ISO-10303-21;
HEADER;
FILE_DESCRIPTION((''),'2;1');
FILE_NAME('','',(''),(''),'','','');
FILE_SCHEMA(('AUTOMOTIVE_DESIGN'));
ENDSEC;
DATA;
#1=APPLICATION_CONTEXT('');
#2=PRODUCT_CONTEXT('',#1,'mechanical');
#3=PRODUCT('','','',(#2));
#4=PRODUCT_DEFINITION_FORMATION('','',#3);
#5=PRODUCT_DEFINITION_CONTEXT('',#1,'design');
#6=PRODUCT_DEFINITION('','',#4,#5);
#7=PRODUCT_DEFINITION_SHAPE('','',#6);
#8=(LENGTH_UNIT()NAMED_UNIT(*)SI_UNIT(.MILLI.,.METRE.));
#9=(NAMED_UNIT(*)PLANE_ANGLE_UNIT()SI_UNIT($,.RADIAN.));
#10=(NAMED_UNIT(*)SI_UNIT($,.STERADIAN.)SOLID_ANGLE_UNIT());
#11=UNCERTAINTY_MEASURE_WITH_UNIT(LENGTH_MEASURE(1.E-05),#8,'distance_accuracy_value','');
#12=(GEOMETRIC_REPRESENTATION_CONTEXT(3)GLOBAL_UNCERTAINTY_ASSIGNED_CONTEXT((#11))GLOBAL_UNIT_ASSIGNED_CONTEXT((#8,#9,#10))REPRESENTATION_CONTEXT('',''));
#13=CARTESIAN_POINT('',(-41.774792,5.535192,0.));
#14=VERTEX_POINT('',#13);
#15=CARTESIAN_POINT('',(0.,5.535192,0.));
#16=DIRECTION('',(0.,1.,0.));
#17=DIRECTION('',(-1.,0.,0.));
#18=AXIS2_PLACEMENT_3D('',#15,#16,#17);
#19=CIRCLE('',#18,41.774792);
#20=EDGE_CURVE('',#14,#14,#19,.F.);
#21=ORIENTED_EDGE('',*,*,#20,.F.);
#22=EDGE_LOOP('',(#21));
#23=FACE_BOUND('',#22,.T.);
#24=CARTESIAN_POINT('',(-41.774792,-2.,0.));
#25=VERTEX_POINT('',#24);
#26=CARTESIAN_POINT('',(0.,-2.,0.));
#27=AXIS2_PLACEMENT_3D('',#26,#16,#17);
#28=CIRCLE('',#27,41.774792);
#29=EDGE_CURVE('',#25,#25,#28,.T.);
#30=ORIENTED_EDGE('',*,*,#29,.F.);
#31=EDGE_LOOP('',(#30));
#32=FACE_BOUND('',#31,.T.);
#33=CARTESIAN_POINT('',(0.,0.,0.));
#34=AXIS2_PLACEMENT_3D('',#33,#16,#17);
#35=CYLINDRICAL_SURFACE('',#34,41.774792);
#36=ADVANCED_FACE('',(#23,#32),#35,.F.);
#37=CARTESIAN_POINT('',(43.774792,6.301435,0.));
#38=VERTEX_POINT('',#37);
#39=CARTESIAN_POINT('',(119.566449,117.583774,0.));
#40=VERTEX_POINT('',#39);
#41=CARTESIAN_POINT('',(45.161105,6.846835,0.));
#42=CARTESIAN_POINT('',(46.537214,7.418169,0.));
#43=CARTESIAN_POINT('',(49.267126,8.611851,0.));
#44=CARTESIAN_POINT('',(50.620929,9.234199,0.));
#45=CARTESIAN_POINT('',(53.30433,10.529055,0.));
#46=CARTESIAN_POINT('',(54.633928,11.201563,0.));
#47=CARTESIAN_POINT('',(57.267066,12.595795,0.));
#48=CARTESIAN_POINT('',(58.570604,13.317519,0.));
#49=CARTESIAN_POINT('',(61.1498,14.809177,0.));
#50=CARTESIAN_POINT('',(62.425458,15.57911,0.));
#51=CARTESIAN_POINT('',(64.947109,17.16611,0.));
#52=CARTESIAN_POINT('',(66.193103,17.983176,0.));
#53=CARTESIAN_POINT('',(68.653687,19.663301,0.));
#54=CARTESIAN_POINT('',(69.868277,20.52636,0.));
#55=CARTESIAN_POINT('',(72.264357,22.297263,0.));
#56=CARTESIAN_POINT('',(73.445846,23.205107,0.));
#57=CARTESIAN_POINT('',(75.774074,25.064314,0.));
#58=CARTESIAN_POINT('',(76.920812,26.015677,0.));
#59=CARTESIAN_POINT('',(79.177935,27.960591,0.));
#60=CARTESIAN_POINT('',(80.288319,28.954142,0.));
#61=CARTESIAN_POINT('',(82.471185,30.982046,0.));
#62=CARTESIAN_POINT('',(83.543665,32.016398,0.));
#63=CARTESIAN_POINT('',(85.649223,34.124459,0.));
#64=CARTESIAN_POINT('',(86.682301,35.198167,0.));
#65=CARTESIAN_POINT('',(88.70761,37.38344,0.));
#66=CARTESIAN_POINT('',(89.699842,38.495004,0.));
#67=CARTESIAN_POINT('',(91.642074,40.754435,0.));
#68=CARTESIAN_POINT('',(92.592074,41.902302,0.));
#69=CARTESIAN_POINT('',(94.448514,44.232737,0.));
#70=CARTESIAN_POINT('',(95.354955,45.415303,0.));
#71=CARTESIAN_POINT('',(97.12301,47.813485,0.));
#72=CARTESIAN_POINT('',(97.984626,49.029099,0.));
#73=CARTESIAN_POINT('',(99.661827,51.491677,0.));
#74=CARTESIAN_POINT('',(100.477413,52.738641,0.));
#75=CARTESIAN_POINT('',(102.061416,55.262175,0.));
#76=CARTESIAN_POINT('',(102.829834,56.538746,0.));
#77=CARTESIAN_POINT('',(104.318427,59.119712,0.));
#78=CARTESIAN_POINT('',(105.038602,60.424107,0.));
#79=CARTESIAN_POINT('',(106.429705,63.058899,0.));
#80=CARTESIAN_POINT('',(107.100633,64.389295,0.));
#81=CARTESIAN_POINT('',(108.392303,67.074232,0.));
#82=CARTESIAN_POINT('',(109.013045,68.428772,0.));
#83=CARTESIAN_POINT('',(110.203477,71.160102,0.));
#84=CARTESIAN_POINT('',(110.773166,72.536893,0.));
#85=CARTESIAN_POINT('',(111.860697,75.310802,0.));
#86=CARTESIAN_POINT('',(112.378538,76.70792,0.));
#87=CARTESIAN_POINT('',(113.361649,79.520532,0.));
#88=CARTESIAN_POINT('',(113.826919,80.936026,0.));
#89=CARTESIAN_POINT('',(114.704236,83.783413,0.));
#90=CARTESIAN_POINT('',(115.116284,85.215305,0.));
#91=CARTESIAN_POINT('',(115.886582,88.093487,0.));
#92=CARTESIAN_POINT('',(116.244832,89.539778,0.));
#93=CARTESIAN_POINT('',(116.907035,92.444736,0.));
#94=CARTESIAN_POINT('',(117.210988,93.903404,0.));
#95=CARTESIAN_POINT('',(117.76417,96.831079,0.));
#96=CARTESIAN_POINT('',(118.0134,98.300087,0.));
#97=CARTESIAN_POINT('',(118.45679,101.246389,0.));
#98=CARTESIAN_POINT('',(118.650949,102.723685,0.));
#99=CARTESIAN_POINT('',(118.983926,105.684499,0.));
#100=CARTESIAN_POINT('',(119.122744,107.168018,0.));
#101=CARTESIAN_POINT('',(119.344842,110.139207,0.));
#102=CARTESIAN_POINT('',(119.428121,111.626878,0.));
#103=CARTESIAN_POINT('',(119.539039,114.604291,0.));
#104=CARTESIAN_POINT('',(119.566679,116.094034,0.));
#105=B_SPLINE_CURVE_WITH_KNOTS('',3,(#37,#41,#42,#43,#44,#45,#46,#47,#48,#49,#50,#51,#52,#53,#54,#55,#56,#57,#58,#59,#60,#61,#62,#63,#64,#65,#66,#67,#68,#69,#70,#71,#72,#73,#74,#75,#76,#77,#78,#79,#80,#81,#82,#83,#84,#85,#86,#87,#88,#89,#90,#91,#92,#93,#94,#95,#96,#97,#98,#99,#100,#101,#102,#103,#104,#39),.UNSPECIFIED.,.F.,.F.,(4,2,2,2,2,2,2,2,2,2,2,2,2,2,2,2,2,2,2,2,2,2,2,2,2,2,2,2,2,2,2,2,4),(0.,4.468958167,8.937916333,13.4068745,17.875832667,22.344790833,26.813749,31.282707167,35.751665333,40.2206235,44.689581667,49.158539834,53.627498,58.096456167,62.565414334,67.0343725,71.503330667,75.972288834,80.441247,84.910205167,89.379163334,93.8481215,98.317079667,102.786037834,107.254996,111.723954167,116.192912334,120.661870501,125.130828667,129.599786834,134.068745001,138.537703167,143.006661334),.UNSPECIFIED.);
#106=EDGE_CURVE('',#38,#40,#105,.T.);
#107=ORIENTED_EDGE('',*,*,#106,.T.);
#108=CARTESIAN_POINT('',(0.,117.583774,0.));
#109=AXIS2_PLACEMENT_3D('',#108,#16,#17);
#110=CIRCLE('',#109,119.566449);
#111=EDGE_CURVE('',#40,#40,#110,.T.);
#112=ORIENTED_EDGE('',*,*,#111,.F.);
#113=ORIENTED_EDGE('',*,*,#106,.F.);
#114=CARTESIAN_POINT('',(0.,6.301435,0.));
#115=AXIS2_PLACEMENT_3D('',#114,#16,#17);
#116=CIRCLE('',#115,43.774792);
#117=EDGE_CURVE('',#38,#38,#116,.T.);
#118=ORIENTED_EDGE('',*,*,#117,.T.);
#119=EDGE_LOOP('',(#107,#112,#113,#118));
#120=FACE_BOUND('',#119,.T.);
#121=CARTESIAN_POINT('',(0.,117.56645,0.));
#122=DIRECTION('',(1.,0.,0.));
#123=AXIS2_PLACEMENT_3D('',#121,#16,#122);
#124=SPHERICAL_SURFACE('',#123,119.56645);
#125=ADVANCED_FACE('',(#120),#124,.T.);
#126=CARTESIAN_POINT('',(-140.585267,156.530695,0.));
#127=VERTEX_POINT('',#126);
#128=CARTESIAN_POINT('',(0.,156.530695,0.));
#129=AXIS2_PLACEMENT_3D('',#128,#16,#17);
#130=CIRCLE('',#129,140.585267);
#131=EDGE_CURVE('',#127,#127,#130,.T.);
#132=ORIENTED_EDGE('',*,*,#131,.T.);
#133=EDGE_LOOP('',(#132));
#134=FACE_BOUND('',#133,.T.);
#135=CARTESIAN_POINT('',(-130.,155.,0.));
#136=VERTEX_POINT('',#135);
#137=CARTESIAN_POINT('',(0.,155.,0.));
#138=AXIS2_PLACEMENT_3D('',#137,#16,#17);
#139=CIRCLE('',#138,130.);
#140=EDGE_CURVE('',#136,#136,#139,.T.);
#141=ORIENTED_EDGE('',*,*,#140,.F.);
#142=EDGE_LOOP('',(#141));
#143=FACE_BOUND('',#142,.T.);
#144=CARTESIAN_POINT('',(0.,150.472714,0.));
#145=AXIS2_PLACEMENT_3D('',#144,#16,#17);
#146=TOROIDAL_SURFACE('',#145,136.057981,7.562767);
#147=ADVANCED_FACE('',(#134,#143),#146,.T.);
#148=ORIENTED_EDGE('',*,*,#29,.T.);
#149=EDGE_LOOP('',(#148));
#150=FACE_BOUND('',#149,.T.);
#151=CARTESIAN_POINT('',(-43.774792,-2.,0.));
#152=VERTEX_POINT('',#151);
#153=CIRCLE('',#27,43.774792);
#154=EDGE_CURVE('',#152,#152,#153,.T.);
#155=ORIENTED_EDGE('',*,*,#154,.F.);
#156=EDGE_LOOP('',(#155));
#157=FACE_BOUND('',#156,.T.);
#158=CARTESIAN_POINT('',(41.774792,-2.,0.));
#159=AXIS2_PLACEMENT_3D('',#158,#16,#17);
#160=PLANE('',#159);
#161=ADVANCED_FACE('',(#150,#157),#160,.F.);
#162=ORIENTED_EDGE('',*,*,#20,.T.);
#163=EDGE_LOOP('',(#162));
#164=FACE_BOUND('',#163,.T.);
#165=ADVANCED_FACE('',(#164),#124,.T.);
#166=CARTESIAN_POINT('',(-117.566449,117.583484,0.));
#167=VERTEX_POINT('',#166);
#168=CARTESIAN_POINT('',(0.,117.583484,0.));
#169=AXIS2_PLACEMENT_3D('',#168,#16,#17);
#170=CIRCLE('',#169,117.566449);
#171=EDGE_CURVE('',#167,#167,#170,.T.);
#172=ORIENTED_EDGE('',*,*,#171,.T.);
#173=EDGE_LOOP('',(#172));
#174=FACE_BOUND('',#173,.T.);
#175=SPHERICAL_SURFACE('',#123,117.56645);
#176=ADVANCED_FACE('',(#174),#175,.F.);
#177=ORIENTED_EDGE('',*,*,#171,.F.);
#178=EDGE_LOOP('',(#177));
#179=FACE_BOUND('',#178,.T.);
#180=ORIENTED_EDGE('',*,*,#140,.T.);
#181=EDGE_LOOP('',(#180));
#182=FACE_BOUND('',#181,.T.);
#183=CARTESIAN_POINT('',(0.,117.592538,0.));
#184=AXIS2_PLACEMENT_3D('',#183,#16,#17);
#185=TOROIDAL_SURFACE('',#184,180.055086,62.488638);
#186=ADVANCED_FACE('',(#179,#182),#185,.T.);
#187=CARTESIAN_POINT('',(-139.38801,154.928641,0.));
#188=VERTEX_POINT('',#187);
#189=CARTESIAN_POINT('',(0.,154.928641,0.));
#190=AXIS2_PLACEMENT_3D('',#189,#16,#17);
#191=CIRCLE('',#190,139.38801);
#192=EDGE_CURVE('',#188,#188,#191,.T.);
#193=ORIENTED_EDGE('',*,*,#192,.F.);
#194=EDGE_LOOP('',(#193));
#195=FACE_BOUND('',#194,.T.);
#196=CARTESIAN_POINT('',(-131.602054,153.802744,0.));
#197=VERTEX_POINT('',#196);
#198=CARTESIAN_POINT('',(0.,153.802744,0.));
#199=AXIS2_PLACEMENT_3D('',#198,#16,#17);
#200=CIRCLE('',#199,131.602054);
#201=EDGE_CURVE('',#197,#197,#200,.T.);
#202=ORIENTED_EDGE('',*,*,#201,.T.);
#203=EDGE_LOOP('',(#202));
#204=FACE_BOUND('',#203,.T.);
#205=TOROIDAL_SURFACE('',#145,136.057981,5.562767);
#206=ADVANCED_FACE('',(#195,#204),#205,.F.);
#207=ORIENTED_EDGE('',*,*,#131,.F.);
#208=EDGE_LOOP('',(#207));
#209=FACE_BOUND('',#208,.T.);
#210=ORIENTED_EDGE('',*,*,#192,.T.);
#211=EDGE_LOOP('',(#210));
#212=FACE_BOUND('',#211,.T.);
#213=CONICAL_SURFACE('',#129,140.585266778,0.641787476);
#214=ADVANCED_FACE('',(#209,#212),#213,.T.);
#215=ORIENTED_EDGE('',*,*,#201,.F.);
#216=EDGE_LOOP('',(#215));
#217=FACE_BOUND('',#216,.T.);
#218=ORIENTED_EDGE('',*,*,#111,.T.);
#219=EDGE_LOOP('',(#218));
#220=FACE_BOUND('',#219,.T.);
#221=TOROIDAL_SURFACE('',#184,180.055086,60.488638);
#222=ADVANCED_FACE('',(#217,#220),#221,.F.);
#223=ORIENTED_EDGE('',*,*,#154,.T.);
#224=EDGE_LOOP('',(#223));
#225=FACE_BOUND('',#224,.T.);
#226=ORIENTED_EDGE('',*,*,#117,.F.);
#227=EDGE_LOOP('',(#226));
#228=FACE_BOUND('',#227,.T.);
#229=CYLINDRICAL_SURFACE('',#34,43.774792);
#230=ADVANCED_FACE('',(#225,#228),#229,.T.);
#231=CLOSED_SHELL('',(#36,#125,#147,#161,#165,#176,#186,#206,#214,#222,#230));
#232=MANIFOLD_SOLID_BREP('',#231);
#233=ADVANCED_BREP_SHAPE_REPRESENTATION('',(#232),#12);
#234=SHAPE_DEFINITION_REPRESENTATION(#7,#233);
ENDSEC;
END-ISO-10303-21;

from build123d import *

# Parameters (mm, degrees)
SKETCH1_W = 2
SKETCH1_H = 8.301435116


with BuildPart() as part:
    # Sketch1 → Revolve1 (revolve)
    with BuildSketch(Plane.XY, mode=Mode.PRIVATE) as revolve1_sk:
        with BuildLine():
            Line((140.585266778, 156.530694973), (139.388010351, 154.928640963))
            ThreePointArc((139.388010351, 154.928640963), (135.261851196, 155.978216625), (131.60205401, 153.802743574))
            ThreePointArc((131.60205401, 153.802743574), (122.652775657, 136.667391705), (119.566449184, 117.583774238))
            ThreePointArc((119.566449184, 117.583774238), (84.552372574, 33.026327641), (0, -2))
            Line((0, -2), (0, 0))
            ThreePointArc((0, 0), (83.138056564, 34.440438748), (117.566449205, 117.583484461))
            ThreePointArc((117.566449205, 117.583484461), (120.754822164, 137.298083815), (130, 155))
            ThreePointArc((130, 155), (134.97561608, 157.957628017), (140.585266778, 156.530694973))
        make_face()
        with Locations((42.774792242, 2.150717558)):
            Rectangle(SKETCH1_W, SKETCH1_H)
    revolve(revolve1_sk.sketch.rotate(Axis((0, 0, 0), (0, -1, 0)), 180), axis=Axis((0, 0, 0), (0, -1, 0)))


solid = part.part
